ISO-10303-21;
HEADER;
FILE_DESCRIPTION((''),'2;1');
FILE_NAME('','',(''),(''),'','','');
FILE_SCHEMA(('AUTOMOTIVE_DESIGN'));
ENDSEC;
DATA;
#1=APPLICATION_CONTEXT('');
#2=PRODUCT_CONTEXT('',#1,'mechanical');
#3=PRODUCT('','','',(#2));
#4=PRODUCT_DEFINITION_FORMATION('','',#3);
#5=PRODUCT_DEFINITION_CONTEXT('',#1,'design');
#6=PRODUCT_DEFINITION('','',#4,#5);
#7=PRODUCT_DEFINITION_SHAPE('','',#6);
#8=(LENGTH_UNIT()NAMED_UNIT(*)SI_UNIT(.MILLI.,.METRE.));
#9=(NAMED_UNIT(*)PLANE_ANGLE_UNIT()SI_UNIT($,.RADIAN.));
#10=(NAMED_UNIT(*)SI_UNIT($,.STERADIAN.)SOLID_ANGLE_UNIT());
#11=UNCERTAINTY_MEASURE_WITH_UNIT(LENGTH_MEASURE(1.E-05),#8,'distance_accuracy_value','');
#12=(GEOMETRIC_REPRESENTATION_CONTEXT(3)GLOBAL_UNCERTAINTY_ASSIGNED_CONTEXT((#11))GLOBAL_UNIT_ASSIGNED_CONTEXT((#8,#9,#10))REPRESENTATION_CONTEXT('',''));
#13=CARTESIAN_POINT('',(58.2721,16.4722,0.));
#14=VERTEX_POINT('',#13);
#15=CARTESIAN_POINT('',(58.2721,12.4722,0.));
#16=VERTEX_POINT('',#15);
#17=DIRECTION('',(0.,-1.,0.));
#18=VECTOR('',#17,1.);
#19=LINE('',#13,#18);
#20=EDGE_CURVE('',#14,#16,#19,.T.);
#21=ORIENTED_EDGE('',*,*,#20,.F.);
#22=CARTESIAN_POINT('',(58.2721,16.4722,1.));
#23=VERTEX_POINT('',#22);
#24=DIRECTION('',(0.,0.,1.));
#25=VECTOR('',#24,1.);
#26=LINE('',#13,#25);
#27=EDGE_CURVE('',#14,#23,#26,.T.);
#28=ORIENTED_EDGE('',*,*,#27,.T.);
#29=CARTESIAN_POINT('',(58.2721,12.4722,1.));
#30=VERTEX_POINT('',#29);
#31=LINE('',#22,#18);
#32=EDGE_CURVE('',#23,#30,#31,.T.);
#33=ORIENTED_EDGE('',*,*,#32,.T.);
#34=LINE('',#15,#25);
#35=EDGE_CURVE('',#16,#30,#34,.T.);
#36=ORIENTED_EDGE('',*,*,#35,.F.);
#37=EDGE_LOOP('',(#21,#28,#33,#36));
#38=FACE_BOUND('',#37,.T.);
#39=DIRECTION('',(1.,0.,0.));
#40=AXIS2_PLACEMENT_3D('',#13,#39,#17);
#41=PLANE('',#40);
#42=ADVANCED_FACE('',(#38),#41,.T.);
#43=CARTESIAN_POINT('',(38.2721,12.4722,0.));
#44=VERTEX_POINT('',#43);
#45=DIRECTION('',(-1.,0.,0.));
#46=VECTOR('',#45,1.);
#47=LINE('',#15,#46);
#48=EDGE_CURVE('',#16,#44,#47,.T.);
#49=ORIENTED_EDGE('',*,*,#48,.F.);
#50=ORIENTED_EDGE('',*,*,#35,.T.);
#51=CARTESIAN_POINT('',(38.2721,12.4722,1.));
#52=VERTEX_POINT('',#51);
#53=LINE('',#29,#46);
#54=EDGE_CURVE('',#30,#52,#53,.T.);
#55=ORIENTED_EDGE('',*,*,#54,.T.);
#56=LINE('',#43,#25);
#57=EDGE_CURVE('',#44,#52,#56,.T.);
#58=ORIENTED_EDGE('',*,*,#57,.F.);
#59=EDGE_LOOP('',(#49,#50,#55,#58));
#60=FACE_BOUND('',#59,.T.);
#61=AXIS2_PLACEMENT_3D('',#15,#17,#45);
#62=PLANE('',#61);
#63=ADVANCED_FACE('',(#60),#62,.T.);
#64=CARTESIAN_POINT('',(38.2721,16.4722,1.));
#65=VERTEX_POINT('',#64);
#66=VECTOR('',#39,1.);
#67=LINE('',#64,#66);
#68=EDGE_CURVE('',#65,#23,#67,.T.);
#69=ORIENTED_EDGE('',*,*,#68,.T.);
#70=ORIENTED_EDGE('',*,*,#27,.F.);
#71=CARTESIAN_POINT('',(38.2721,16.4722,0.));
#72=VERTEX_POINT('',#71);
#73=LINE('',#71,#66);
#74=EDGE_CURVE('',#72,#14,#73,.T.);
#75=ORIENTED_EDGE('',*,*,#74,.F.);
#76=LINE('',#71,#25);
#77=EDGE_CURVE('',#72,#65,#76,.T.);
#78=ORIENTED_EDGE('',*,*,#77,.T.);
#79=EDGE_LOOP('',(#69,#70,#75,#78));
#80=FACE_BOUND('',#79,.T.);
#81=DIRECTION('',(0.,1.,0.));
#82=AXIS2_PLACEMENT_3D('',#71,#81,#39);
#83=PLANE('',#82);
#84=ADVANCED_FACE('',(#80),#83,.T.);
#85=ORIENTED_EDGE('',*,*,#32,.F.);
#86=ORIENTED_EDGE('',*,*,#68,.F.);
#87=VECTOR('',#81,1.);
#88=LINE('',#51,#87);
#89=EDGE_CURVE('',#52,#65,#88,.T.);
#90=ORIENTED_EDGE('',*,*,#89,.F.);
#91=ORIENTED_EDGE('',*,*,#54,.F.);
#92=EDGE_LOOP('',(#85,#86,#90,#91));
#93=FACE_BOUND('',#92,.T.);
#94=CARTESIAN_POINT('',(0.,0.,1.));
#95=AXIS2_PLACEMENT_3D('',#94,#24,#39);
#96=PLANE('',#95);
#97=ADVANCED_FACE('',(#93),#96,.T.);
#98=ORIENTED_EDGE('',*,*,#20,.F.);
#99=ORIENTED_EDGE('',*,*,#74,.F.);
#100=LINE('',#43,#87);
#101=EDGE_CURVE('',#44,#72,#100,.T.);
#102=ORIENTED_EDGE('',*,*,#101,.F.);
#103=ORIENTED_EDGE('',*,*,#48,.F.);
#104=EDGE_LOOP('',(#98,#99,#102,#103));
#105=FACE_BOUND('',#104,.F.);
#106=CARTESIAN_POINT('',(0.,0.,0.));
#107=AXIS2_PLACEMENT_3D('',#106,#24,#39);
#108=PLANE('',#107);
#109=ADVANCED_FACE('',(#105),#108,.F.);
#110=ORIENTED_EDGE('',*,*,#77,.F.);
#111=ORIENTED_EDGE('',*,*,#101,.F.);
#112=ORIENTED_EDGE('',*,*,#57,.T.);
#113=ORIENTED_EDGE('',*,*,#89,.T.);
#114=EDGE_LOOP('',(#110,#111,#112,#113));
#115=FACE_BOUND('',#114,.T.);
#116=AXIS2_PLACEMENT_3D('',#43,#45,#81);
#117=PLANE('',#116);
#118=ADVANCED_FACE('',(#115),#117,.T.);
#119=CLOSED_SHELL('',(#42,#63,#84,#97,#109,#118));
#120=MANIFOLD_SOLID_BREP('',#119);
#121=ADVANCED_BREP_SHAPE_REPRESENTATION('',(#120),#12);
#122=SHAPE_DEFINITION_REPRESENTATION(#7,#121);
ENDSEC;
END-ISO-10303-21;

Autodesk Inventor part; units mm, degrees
ref_plane "YZ Plane" through (0, 0, 0) normal (1, 0, 0) x (0, 1, 0)
ref_plane "XZ Plane" through (0, 0, 0) normal (0, 1, 0) x (-1, 0, 0)
ref_plane "XY Plane" through (0, 0, 0) normal (0, 0, 1) x (1, 0, 0)
sketch "Skizze1" plane through (0, 0, 0) normal (0, 0, 1) x (1, 0, 0)
  line L0 (58.2721, 12.4722) -> (38.2721, 12.4722)
  line L1 (38.2721, 12.4722) -> (38.2721, 16.4722)
  line L2 (38.2721, 16.4722) -> (58.2721, 16.4722)
  line L3 (58.2721, 16.4722) -> (58.2721, 12.4722)
  point P0 (0, 0)
  dimension "d0" = 20
  dimension "d1" = 4
extrude "Extrusion1" add sketch "Skizze1" along normal blind 1
properties part number "Bremsbelag" material "Gummi, Silikon(1)"
